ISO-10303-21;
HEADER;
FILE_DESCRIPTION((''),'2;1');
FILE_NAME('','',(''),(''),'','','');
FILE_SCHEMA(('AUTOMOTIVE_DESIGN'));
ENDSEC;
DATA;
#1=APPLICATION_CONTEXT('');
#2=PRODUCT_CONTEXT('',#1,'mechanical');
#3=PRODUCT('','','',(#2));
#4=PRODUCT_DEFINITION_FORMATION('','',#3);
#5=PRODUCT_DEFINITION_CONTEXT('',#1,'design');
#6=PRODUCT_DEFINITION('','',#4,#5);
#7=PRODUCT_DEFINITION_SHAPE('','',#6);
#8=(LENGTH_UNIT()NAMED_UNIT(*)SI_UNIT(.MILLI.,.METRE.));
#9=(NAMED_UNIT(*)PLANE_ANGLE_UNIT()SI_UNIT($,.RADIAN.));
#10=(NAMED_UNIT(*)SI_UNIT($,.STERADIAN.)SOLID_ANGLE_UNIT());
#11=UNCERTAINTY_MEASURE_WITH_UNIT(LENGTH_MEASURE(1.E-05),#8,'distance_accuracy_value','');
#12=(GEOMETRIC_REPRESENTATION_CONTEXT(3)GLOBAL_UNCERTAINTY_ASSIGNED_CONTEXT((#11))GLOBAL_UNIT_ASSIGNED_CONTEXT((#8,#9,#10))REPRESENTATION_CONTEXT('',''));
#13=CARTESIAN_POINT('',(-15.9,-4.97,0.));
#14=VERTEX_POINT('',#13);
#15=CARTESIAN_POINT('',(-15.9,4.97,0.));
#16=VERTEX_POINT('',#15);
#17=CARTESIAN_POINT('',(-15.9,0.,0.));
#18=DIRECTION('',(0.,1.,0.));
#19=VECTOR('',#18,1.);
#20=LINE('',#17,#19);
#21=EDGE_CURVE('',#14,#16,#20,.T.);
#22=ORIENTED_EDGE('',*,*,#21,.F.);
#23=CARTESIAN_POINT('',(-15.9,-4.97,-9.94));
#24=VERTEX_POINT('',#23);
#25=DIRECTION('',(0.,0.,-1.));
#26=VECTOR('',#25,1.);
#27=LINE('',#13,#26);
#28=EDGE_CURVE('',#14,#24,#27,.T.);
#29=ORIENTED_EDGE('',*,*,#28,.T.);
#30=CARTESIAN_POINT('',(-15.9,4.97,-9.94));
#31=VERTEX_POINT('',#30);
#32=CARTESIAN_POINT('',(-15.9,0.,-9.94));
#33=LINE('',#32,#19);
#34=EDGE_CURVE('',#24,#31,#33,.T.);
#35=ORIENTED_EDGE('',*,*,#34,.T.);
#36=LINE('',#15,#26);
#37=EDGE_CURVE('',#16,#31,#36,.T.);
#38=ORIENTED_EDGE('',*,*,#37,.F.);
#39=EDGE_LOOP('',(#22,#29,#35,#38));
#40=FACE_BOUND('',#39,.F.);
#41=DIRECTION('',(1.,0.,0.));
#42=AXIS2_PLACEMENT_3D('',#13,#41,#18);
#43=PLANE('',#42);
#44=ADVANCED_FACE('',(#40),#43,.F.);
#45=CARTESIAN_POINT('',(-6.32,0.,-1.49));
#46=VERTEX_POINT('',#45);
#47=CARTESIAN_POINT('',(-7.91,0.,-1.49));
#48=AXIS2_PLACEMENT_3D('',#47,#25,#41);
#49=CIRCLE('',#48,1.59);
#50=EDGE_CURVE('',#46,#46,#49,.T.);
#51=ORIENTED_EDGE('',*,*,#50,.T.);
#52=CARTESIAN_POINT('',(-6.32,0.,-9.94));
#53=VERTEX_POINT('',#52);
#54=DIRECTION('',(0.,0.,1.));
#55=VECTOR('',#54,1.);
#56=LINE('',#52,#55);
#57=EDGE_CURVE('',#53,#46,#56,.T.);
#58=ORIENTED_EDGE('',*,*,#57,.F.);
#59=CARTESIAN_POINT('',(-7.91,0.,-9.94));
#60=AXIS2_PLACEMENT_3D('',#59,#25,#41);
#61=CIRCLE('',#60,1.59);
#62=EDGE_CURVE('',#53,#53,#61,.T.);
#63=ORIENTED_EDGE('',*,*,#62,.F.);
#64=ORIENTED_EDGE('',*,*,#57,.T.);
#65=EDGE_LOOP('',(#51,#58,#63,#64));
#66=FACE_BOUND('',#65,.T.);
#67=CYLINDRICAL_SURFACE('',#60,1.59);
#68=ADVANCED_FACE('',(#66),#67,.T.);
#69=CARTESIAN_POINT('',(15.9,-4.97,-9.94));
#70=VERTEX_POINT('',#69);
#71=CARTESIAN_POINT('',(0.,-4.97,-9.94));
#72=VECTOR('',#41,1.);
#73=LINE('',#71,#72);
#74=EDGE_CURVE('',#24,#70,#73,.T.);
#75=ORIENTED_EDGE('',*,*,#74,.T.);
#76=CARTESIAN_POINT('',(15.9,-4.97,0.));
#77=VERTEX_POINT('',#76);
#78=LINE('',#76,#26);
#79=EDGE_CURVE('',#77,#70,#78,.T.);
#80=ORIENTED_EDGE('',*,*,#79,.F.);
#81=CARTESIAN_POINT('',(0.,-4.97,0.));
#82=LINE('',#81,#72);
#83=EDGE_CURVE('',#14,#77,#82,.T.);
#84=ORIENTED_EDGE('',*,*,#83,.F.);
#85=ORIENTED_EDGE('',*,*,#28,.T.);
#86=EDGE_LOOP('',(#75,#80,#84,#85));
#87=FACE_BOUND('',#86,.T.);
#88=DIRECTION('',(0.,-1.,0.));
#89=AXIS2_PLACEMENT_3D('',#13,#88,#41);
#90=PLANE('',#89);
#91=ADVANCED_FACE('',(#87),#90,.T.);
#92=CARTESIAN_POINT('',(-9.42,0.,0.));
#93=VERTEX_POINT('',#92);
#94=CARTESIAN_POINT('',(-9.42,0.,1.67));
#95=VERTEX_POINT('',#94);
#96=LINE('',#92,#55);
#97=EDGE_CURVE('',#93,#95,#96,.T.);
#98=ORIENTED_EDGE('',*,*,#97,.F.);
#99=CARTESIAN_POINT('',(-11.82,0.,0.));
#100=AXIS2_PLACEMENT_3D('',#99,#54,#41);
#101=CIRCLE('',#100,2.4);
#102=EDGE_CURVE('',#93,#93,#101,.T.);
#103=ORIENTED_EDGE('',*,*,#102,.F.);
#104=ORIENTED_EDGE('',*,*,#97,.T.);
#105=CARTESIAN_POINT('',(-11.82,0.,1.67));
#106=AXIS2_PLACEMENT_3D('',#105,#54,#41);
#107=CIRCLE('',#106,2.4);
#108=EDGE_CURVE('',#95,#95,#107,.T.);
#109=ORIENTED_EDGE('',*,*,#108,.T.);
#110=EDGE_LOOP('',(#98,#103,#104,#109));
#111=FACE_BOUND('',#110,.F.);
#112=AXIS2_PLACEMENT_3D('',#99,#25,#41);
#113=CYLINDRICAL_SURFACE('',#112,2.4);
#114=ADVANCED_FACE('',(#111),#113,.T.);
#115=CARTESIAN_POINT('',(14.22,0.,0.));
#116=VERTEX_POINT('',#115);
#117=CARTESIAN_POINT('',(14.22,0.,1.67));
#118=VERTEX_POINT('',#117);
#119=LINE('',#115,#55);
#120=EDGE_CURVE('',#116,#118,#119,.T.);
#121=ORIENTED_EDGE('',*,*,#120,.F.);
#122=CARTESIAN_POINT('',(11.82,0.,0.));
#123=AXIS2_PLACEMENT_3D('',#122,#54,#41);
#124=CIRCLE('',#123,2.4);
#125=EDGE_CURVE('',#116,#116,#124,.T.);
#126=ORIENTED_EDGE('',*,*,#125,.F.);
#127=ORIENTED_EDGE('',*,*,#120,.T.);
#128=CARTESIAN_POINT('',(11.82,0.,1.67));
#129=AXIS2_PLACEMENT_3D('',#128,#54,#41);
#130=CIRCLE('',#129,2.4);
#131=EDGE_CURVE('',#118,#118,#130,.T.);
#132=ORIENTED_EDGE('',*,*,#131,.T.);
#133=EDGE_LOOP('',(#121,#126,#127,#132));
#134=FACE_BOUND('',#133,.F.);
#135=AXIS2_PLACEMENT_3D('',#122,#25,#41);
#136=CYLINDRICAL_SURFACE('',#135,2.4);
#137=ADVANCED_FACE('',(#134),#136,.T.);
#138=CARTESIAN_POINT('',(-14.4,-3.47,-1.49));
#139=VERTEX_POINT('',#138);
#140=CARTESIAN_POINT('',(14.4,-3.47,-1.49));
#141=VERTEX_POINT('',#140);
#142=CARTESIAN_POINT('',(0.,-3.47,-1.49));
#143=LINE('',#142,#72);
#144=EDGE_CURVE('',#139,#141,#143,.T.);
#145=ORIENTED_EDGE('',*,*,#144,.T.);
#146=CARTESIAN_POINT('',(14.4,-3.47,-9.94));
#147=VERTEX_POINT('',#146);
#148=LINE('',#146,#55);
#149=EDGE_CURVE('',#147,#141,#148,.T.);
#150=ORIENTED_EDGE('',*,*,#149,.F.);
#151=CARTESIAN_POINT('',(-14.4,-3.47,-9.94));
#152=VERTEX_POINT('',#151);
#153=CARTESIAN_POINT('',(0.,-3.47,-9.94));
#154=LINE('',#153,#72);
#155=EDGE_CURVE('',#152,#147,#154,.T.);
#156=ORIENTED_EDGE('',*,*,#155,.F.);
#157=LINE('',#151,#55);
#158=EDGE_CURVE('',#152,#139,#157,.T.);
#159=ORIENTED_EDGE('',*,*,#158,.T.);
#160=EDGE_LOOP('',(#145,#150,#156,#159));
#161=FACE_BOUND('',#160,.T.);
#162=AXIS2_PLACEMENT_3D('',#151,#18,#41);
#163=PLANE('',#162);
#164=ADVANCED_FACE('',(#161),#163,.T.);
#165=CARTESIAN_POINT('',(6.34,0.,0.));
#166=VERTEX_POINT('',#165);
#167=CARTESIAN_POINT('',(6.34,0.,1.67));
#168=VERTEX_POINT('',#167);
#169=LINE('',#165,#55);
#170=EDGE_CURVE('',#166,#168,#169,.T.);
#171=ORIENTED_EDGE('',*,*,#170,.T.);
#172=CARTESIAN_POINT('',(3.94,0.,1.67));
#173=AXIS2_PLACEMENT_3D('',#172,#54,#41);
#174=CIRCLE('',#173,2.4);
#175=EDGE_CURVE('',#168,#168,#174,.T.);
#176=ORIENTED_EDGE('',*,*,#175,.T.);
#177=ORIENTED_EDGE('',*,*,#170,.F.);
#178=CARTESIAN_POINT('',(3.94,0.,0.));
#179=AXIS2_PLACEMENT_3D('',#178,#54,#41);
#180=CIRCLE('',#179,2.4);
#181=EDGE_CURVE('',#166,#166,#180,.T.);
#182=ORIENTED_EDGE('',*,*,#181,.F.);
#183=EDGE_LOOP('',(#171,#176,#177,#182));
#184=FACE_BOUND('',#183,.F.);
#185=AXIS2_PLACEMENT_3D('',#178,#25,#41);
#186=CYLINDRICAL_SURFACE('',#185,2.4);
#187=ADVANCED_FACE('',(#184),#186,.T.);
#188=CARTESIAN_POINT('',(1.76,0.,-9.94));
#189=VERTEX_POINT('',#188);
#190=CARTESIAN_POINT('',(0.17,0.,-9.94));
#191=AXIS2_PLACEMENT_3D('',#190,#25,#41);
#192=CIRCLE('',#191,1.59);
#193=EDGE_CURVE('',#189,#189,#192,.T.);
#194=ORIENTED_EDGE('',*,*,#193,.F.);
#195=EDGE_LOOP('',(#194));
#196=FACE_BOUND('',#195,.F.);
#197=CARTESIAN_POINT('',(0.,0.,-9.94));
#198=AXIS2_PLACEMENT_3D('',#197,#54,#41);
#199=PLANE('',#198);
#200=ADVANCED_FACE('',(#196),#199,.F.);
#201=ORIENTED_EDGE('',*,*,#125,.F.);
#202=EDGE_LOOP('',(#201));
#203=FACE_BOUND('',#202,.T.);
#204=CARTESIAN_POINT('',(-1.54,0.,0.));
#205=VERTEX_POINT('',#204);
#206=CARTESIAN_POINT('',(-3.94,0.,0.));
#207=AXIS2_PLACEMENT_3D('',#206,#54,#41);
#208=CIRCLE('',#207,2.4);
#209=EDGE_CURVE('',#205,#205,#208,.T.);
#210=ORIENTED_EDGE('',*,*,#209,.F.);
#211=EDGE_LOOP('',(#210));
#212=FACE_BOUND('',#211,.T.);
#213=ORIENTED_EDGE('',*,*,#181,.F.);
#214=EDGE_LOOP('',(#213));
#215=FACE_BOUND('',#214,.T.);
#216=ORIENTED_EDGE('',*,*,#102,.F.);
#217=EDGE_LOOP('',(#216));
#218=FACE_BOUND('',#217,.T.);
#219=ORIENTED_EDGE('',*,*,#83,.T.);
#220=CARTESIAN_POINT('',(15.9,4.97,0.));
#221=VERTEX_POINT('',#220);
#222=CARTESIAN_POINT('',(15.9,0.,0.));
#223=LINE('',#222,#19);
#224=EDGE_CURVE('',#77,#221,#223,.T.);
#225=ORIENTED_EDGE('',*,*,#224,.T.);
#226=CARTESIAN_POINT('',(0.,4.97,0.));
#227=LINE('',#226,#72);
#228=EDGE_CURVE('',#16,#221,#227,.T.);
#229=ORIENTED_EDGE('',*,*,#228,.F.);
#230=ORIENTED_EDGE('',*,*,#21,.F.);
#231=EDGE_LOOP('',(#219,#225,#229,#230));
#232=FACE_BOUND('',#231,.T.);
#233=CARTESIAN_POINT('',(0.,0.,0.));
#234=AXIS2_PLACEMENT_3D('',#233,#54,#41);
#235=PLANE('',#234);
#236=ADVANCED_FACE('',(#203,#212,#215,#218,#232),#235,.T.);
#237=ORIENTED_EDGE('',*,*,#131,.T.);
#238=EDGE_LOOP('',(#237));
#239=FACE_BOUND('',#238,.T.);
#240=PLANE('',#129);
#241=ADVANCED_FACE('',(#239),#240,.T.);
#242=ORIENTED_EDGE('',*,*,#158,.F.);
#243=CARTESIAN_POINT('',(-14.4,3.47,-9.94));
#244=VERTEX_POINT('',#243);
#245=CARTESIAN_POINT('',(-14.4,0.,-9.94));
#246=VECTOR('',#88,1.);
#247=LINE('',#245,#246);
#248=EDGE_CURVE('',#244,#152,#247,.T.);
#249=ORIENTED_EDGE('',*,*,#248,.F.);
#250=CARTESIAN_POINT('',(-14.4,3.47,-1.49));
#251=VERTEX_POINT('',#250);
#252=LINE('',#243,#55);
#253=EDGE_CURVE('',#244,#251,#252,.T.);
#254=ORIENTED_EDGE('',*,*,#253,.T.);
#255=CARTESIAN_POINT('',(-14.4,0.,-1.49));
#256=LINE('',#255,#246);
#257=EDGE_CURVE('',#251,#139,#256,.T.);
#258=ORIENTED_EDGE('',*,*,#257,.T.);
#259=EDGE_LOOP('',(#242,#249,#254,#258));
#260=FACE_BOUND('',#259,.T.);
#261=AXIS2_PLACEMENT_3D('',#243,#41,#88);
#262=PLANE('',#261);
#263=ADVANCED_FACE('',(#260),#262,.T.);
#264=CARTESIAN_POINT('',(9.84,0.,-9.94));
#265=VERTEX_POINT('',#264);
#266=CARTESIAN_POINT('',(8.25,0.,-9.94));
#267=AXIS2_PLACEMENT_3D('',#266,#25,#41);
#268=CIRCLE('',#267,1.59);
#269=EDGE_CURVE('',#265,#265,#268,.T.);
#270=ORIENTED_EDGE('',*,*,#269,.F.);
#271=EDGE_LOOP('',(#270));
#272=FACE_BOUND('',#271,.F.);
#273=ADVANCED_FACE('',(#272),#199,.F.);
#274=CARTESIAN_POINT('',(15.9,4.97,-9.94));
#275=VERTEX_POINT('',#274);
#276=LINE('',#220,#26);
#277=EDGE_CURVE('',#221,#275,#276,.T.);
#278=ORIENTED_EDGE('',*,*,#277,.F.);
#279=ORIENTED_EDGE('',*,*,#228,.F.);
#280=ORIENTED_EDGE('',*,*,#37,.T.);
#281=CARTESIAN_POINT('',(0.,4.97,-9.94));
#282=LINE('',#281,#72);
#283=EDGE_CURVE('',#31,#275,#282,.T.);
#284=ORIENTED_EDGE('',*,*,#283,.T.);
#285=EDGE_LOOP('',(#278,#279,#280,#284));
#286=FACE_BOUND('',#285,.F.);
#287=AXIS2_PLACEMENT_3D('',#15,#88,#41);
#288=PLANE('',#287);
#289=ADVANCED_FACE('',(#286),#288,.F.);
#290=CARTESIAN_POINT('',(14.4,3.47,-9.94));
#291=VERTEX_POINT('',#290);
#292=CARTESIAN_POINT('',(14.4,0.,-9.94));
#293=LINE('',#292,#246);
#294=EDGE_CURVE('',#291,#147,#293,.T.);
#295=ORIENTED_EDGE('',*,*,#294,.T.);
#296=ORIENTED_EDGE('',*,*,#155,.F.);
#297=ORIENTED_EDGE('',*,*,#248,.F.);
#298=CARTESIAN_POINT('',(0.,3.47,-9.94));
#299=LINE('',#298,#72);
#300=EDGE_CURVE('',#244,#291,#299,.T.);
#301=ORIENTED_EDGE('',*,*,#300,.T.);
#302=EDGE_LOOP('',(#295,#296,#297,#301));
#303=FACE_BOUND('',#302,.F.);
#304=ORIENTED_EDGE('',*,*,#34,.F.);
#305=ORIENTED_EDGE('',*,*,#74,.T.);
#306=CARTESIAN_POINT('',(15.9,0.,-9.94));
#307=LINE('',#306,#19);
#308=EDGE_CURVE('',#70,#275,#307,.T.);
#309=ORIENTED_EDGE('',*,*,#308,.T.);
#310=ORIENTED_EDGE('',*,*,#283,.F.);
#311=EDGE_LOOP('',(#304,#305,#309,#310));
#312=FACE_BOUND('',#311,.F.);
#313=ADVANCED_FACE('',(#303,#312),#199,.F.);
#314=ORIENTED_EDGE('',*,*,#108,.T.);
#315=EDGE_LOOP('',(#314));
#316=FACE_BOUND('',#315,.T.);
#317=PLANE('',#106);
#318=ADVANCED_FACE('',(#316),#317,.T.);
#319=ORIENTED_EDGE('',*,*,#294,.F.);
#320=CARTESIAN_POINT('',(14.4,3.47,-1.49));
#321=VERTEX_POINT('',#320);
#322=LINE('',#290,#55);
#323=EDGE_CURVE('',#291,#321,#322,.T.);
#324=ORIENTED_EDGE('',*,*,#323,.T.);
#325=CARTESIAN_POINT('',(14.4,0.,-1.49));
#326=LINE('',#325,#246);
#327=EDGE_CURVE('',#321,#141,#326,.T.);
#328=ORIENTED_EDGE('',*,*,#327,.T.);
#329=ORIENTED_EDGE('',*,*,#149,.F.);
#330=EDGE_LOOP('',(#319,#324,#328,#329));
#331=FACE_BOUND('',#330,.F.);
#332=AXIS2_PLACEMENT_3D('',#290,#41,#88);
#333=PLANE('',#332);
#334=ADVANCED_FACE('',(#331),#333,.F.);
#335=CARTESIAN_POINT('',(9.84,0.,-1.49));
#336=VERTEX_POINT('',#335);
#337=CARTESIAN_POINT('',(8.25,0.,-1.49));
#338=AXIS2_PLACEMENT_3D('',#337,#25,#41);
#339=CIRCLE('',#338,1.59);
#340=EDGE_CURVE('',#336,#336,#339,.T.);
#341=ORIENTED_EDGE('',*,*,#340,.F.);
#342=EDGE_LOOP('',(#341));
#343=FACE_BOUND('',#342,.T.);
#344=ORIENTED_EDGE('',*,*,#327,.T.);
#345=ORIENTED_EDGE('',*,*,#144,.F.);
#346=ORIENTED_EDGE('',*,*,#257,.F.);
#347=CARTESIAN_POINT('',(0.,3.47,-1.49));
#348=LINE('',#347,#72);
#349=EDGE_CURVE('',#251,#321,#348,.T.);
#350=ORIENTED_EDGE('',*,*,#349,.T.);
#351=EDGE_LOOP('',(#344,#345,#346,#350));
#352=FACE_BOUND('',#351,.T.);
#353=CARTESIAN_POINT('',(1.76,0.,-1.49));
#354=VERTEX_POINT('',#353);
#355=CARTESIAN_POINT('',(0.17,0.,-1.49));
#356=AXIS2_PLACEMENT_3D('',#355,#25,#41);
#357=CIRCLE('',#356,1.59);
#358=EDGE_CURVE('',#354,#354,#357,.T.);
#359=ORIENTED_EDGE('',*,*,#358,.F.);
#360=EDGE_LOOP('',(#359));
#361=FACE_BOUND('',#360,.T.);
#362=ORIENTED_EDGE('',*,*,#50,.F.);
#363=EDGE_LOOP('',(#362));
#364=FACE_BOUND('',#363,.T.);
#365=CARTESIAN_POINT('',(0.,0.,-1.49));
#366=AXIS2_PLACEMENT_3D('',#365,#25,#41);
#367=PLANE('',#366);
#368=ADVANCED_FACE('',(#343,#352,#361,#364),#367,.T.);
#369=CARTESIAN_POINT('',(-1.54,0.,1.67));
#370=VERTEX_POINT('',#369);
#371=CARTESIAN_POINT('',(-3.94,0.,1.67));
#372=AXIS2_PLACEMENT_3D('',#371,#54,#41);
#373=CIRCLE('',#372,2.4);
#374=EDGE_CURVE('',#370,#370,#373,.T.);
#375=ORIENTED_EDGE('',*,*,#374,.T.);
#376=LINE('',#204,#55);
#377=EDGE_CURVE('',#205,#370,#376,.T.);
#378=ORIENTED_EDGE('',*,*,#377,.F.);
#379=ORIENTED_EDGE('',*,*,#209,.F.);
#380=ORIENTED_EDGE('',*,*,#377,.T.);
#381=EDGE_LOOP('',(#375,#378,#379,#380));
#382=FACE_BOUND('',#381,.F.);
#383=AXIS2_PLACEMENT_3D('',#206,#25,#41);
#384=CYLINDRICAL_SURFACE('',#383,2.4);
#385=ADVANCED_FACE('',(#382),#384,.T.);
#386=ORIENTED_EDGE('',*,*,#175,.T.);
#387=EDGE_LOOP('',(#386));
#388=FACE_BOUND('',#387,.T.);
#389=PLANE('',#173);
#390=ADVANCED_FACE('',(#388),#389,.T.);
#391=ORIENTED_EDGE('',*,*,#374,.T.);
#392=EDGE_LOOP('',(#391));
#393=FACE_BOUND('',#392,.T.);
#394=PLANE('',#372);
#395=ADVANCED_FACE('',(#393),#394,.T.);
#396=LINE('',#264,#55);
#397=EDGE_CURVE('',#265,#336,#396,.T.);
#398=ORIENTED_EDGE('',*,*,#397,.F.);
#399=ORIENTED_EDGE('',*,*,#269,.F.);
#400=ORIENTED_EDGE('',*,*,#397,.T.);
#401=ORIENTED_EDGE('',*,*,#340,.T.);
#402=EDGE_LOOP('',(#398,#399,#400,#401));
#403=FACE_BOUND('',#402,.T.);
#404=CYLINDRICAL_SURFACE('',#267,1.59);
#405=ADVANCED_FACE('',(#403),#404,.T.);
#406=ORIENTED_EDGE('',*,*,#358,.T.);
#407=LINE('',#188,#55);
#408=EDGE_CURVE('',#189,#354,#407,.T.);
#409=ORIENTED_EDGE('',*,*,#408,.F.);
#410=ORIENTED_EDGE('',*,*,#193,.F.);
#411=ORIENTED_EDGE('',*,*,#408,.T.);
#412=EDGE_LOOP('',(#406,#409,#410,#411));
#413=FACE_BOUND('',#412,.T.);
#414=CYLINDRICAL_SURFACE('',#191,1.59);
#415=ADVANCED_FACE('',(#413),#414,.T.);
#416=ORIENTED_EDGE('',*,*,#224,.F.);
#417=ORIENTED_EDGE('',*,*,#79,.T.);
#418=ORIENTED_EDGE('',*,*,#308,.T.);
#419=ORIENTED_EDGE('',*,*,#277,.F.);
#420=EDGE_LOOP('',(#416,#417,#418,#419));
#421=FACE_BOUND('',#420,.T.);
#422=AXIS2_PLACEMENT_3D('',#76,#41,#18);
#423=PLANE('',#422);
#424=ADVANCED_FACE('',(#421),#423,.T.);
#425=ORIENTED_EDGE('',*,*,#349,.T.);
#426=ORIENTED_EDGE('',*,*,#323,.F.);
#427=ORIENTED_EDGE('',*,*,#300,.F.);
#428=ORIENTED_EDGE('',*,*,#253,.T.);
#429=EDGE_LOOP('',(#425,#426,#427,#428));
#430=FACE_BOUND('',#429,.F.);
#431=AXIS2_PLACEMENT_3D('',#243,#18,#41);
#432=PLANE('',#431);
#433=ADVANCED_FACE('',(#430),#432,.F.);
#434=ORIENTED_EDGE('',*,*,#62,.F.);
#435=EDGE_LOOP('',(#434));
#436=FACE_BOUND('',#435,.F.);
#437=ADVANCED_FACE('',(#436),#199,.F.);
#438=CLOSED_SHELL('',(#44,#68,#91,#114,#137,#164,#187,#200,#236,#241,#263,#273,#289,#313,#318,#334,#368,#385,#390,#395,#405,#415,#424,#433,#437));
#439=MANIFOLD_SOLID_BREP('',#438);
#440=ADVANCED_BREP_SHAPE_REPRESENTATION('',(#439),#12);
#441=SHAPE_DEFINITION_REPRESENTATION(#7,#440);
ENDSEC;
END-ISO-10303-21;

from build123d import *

# Parameters (mm, degrees)
F0_W     = 31.8
F0_H     = 9.94
F0_R     = 2.4
F1_DEPTH = 9.94
F2_DEPTH = 1.67
F3_W     = 28.8
F3_H     = 6.94
F3_R     = 1.59
F4_DEPTH = 8.45


with BuildPart() as f1:
    # F0 (on Top) → F1 (new body)
    with BuildSketch(Plane.XY):
        Rectangle(F0_W, F0_H)
        with Locations((-11.82, 0)):
            Circle(F0_R, mode=Mode.SUBTRACT)
        with Locations((-3.94, 0)):
            Circle(F0_R, mode=Mode.SUBTRACT)
        with Locations((3.94, 0)):
            Circle(F0_R, mode=Mode.SUBTRACT)
        with Locations((11.82, 0)):
            Circle(F0_R, mode=Mode.SUBTRACT)
        with Locations((-11.82, 0)):
            Circle(F0_R)
        with Locations((-3.94, 0)):
            Circle(F0_R)
        with Locations((3.94, 0)):
            Circle(F0_R)
        with Locations((11.82, 0)):
            Circle(F0_R)
    extrude(amount=-F1_DEPTH)

    # F0 (on Top) → F2 (join)
    with BuildSketch(Plane.XY):
        with Locations((-11.82, 0)):
            Circle(F0_R)
        with Locations((-3.94, 0)):
            Circle(F0_R)
        with Locations((3.94, 0)):
            Circle(F0_R)
        with Locations((11.82, 0)):
            Circle(F0_R)
    extrude(amount=F2_DEPTH)

    # F3 (on face) → F4 (cut)
    with BuildSketch(Plane(origin=(0, 0, -9.94), x_dir=(1, 0, 0), z_dir=(0, 0, -1))):
        Rectangle(F3_W, F3_H)
        with Locations((-7.91, 0)):
            Circle(F3_R, mode=Mode.SUBTRACT)
        with Locations((0.17, 0)):
            Circle(F3_R, mode=Mode.SUBTRACT)
        with Locations((8.25, 0)):
            Circle(F3_R, mode=Mode.SUBTRACT)
    extrude(amount=-F4_DEPTH, mode=Mode.SUBTRACT)


solid = f1.part
